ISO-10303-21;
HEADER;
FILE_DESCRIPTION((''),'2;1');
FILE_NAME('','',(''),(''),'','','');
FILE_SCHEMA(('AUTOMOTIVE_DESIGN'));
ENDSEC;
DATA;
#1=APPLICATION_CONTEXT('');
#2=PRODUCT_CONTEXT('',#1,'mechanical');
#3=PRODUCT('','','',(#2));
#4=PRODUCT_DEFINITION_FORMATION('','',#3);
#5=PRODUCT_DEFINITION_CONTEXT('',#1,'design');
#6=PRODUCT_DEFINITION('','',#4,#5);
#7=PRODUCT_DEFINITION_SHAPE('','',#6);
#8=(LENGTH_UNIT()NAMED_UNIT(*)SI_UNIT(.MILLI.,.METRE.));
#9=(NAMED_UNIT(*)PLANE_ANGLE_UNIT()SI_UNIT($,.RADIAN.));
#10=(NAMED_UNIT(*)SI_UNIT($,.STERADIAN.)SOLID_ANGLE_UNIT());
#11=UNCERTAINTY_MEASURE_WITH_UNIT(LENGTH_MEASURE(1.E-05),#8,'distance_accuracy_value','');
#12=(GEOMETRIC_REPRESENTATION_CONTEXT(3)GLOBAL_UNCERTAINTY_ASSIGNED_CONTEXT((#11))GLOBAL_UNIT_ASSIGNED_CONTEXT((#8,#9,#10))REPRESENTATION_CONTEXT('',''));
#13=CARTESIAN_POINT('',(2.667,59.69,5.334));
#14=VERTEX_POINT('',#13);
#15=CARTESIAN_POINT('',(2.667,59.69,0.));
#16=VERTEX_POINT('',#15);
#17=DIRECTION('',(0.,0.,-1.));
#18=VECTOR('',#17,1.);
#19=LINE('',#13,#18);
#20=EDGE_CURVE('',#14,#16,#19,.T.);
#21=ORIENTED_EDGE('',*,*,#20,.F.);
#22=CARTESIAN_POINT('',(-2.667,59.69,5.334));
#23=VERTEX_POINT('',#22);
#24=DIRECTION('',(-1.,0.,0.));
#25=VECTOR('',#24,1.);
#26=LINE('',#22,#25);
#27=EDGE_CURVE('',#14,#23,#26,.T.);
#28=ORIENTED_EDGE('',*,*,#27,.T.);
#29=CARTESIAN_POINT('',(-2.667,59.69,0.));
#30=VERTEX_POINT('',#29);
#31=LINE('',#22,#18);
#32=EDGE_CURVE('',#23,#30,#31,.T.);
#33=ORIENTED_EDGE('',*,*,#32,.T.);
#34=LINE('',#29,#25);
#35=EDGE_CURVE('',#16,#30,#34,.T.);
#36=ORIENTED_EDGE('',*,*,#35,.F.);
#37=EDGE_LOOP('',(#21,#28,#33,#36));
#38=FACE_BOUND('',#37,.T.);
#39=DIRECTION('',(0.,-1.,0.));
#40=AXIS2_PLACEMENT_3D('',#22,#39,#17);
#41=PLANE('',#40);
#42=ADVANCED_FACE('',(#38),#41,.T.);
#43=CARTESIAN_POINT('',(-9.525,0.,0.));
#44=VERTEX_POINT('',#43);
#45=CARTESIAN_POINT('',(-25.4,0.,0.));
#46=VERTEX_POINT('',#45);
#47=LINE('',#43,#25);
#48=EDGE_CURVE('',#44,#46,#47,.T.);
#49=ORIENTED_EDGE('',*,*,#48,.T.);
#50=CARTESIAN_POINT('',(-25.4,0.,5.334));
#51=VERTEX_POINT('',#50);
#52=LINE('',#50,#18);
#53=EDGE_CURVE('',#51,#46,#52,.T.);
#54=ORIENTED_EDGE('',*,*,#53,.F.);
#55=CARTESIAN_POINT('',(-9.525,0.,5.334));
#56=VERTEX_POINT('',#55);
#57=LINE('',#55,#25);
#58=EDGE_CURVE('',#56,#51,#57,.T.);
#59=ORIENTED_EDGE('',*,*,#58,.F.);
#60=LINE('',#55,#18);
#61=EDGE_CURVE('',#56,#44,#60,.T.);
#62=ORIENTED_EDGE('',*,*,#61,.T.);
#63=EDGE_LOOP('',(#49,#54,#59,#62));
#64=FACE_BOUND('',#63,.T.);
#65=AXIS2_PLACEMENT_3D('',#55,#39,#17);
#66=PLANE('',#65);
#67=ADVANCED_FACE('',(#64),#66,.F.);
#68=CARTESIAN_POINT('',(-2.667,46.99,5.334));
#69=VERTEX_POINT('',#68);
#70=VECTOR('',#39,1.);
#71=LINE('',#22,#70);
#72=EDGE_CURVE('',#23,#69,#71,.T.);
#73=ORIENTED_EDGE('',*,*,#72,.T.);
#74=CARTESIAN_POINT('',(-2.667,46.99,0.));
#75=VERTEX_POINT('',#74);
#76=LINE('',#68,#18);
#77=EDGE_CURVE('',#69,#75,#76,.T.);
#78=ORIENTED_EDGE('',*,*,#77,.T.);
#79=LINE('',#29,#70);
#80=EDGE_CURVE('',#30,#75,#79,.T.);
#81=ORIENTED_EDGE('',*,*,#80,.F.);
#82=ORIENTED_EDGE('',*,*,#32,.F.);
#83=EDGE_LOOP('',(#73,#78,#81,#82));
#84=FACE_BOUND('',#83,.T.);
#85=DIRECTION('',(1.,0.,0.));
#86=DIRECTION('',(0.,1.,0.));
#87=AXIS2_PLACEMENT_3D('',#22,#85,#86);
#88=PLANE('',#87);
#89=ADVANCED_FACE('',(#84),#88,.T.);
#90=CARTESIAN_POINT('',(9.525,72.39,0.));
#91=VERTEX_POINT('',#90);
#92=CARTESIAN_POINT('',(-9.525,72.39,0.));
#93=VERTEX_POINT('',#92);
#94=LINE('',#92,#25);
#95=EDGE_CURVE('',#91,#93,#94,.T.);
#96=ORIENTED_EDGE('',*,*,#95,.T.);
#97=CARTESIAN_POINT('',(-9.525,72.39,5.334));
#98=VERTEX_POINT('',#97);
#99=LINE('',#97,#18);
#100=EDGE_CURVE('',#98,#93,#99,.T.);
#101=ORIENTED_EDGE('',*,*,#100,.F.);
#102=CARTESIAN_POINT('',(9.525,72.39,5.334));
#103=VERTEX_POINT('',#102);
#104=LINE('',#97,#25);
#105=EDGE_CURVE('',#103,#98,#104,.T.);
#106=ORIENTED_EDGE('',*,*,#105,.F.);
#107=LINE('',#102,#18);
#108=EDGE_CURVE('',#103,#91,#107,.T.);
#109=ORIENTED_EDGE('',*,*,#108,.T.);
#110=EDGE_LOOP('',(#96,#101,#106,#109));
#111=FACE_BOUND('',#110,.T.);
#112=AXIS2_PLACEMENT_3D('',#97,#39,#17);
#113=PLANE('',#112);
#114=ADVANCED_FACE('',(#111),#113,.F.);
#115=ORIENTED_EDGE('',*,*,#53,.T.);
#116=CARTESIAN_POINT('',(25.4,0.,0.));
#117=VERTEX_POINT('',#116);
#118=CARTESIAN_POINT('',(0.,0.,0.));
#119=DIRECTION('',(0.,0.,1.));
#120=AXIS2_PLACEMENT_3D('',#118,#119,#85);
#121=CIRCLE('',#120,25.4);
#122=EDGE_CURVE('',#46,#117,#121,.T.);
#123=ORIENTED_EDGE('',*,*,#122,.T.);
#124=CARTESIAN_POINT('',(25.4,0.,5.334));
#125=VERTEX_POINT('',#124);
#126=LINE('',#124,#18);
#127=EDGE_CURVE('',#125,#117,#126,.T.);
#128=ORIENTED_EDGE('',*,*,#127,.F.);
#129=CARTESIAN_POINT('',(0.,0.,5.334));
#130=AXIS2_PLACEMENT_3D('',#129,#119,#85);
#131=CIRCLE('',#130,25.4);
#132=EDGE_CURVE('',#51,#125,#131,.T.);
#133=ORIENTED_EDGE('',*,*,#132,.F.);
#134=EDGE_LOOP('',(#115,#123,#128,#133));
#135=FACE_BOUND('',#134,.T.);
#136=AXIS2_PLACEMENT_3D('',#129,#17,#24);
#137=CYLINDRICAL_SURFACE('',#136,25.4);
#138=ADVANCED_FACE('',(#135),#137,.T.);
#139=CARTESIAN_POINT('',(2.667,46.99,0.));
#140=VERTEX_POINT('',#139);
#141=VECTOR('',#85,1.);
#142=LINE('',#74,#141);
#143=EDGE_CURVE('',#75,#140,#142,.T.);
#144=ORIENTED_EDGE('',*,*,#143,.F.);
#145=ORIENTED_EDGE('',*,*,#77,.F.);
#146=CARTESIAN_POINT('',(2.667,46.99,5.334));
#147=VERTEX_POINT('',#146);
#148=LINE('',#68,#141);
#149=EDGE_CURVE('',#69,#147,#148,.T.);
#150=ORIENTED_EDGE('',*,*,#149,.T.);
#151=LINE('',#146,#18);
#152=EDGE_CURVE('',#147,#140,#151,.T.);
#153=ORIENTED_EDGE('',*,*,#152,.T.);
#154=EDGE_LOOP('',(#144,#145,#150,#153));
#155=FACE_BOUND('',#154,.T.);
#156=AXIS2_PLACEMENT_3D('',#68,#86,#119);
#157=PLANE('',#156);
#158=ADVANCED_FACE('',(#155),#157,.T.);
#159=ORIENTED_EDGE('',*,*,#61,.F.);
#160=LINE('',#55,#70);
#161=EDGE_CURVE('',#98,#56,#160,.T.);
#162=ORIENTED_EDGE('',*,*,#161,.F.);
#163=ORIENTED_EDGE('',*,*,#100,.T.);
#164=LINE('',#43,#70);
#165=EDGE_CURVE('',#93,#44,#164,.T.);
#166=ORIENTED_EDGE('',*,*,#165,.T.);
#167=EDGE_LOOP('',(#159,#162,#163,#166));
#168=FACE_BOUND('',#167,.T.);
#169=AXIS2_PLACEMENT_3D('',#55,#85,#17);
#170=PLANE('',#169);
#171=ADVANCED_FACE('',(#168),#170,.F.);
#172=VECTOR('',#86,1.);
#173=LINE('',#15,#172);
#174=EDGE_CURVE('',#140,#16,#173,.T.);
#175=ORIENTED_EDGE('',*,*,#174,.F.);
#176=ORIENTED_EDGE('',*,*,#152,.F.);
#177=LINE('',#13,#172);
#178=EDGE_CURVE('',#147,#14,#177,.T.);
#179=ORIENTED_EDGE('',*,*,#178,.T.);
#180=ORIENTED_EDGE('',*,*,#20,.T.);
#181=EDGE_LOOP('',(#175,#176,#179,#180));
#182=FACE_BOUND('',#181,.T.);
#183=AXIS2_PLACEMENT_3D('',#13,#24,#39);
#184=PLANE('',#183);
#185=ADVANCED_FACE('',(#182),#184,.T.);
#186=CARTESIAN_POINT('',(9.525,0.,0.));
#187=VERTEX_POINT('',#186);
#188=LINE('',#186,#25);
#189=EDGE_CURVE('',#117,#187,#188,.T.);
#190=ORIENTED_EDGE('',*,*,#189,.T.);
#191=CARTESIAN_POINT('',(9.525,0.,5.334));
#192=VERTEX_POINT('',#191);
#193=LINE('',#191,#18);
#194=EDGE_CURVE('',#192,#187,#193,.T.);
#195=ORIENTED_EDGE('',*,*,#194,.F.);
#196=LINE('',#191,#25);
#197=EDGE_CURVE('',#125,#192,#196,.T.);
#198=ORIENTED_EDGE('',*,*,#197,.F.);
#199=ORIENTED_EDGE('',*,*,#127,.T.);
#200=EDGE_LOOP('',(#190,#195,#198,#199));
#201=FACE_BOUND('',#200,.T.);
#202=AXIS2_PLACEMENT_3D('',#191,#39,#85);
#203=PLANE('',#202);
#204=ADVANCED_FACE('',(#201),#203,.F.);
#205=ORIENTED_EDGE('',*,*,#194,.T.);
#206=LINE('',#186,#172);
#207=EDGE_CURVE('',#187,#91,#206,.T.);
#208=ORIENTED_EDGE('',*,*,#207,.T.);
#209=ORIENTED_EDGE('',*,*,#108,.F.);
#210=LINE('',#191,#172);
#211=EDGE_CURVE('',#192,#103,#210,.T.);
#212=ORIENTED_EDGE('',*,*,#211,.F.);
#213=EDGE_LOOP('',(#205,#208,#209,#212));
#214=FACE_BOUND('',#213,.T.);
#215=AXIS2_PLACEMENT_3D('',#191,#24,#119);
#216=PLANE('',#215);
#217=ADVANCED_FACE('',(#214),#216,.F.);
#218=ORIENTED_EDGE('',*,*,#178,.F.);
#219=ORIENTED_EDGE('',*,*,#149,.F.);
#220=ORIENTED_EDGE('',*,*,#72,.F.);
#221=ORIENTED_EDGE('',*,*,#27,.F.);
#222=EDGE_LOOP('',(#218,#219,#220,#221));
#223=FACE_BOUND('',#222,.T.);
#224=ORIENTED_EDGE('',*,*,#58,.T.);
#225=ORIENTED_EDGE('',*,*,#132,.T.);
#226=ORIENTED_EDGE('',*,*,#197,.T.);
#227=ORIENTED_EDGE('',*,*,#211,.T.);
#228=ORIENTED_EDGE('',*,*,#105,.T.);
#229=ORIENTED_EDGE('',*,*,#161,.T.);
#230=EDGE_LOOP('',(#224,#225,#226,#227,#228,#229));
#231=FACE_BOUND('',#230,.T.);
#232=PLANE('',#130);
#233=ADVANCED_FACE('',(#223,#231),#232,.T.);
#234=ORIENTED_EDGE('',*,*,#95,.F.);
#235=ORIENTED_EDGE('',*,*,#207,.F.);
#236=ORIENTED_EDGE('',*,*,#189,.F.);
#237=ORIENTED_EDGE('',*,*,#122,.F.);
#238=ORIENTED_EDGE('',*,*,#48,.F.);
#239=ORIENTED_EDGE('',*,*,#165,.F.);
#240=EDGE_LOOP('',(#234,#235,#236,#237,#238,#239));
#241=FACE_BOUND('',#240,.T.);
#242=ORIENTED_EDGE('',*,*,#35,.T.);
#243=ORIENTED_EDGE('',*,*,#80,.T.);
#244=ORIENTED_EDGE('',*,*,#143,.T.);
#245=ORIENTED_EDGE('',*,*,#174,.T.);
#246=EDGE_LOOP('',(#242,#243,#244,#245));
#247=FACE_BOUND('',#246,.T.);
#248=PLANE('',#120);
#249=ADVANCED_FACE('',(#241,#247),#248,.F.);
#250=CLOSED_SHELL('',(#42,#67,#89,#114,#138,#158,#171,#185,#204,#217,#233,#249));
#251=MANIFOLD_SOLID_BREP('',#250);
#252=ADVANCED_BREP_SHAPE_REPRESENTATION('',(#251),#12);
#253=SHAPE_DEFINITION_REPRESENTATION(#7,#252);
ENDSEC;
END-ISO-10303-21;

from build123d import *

# Parameters (mm, degrees)
SKETCH1_W           = 5.334
SKETCH1_H           = 12.7
BOSS_EXTRUDE1_DEPTH = 5.334


with BuildPart() as part:
    # Sketch1 → Boss-Extrude1 (new body)
    with BuildSketch(Plane.XY):
        with BuildLine():
            Line((-9.525, 0), (-25.4, 0))
            ThreePointArc((-25.4, 0), (0, -25.4), (25.4, 0))
            Line((25.4, 0), (9.525, 0))
            Line((9.525, 0), (9.525, 72.39))
            Line((9.525, 72.39), (-9.525, 72.39))
            Line((-9.525, 72.39), (-9.525, 0))
        make_face()
        with Locations((0, 53.34)):
            Rectangle(SKETCH1_W, SKETCH1_H, mode=Mode.SUBTRACT)
    extrude(amount=BOSS_EXTRUDE1_DEPTH)


solid = part.part
